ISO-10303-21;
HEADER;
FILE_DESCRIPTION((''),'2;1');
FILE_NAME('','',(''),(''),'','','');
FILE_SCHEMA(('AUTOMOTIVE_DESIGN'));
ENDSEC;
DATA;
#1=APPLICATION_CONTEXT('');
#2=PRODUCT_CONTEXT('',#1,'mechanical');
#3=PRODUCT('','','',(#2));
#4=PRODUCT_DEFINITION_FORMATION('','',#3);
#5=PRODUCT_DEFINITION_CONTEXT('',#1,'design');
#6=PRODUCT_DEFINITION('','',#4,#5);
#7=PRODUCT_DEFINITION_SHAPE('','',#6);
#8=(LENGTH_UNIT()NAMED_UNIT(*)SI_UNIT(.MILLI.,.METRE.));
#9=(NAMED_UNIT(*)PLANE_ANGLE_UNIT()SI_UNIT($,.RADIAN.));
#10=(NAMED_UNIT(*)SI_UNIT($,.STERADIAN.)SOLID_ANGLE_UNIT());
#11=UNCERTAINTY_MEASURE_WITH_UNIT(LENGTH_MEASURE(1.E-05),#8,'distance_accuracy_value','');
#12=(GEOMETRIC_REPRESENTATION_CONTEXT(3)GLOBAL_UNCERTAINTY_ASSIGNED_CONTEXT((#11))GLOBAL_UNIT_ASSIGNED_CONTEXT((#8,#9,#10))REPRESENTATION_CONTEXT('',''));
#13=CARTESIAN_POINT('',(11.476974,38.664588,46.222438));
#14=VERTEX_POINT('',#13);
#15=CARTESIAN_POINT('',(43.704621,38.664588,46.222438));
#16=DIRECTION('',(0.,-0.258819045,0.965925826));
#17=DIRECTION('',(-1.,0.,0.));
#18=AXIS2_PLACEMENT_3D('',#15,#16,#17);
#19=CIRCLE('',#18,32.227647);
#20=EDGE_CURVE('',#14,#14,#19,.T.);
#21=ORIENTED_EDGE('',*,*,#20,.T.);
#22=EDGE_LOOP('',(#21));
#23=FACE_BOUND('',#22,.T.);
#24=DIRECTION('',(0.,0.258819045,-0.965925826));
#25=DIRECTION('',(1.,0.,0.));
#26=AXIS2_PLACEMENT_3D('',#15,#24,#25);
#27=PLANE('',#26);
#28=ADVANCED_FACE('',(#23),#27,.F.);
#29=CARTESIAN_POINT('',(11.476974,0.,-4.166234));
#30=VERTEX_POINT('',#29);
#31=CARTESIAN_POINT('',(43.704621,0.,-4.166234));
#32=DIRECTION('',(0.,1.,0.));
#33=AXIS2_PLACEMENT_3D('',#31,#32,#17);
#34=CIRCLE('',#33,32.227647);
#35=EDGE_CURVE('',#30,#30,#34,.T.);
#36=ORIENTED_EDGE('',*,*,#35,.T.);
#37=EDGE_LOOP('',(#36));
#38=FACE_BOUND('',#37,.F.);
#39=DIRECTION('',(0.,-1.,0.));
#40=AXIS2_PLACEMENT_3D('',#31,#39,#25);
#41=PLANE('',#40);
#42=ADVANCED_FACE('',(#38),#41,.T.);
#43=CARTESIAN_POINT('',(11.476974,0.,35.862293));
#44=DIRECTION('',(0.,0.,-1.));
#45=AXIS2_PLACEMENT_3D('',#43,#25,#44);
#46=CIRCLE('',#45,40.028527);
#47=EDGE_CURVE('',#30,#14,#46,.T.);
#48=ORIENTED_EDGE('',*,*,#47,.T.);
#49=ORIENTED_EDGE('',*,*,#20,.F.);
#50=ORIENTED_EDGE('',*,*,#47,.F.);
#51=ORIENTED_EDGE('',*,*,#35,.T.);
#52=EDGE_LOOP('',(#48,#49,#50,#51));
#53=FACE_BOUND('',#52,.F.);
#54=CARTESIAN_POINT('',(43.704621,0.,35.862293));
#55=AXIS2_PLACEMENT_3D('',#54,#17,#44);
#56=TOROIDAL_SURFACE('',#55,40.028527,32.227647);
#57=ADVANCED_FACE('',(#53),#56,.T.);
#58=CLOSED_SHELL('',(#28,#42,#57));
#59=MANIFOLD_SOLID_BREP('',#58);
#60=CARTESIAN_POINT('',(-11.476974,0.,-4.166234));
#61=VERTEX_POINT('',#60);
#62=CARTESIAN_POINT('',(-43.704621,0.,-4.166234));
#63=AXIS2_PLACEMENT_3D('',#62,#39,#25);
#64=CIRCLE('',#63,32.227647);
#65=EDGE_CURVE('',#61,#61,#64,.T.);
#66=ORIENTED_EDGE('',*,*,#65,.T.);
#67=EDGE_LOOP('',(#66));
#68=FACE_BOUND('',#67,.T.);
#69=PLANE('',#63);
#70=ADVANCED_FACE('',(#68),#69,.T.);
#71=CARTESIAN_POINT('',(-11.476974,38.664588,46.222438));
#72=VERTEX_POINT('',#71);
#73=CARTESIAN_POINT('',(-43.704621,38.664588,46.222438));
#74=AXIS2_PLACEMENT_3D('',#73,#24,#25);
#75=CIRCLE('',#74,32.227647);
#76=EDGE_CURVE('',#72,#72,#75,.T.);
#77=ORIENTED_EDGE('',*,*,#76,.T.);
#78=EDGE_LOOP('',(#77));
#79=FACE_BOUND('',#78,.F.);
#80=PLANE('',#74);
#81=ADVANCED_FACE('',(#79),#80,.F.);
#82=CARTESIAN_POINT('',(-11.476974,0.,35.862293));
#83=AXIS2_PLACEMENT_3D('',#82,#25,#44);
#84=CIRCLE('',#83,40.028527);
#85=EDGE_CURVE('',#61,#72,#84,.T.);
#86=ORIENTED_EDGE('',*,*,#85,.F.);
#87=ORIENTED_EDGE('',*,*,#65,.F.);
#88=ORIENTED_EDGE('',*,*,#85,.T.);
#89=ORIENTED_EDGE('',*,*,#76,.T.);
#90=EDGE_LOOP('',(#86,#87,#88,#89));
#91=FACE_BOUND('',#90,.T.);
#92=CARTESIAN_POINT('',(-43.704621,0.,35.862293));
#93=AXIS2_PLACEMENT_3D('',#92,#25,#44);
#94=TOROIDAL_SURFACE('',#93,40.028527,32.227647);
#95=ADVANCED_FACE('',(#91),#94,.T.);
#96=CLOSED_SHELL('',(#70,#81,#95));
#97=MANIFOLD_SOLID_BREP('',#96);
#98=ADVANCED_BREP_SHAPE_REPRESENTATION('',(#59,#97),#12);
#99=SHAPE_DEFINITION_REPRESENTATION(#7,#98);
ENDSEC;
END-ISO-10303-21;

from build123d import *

# Parameters (mm, degrees)
F0_R     = 32.227647
F1_ANGLE = 105


with BuildPart() as f1:
    # F0 (on Front) → F1 (revolve)
    with BuildSketch(Plane.XZ):
        with Locations((-43.704621, -4.166234)):
            Circle(F0_R)
    revolve(axis=Axis((26.957986, 0, 35.862293), (1, 0, 0)), revolution_arc=F1_ANGLE)


with BuildPart() as f2_1:
    # F2: instance of F1
    add(f1.part.mirror(Plane.YZ))


solid = Compound([f1.part, f2_1.part])
